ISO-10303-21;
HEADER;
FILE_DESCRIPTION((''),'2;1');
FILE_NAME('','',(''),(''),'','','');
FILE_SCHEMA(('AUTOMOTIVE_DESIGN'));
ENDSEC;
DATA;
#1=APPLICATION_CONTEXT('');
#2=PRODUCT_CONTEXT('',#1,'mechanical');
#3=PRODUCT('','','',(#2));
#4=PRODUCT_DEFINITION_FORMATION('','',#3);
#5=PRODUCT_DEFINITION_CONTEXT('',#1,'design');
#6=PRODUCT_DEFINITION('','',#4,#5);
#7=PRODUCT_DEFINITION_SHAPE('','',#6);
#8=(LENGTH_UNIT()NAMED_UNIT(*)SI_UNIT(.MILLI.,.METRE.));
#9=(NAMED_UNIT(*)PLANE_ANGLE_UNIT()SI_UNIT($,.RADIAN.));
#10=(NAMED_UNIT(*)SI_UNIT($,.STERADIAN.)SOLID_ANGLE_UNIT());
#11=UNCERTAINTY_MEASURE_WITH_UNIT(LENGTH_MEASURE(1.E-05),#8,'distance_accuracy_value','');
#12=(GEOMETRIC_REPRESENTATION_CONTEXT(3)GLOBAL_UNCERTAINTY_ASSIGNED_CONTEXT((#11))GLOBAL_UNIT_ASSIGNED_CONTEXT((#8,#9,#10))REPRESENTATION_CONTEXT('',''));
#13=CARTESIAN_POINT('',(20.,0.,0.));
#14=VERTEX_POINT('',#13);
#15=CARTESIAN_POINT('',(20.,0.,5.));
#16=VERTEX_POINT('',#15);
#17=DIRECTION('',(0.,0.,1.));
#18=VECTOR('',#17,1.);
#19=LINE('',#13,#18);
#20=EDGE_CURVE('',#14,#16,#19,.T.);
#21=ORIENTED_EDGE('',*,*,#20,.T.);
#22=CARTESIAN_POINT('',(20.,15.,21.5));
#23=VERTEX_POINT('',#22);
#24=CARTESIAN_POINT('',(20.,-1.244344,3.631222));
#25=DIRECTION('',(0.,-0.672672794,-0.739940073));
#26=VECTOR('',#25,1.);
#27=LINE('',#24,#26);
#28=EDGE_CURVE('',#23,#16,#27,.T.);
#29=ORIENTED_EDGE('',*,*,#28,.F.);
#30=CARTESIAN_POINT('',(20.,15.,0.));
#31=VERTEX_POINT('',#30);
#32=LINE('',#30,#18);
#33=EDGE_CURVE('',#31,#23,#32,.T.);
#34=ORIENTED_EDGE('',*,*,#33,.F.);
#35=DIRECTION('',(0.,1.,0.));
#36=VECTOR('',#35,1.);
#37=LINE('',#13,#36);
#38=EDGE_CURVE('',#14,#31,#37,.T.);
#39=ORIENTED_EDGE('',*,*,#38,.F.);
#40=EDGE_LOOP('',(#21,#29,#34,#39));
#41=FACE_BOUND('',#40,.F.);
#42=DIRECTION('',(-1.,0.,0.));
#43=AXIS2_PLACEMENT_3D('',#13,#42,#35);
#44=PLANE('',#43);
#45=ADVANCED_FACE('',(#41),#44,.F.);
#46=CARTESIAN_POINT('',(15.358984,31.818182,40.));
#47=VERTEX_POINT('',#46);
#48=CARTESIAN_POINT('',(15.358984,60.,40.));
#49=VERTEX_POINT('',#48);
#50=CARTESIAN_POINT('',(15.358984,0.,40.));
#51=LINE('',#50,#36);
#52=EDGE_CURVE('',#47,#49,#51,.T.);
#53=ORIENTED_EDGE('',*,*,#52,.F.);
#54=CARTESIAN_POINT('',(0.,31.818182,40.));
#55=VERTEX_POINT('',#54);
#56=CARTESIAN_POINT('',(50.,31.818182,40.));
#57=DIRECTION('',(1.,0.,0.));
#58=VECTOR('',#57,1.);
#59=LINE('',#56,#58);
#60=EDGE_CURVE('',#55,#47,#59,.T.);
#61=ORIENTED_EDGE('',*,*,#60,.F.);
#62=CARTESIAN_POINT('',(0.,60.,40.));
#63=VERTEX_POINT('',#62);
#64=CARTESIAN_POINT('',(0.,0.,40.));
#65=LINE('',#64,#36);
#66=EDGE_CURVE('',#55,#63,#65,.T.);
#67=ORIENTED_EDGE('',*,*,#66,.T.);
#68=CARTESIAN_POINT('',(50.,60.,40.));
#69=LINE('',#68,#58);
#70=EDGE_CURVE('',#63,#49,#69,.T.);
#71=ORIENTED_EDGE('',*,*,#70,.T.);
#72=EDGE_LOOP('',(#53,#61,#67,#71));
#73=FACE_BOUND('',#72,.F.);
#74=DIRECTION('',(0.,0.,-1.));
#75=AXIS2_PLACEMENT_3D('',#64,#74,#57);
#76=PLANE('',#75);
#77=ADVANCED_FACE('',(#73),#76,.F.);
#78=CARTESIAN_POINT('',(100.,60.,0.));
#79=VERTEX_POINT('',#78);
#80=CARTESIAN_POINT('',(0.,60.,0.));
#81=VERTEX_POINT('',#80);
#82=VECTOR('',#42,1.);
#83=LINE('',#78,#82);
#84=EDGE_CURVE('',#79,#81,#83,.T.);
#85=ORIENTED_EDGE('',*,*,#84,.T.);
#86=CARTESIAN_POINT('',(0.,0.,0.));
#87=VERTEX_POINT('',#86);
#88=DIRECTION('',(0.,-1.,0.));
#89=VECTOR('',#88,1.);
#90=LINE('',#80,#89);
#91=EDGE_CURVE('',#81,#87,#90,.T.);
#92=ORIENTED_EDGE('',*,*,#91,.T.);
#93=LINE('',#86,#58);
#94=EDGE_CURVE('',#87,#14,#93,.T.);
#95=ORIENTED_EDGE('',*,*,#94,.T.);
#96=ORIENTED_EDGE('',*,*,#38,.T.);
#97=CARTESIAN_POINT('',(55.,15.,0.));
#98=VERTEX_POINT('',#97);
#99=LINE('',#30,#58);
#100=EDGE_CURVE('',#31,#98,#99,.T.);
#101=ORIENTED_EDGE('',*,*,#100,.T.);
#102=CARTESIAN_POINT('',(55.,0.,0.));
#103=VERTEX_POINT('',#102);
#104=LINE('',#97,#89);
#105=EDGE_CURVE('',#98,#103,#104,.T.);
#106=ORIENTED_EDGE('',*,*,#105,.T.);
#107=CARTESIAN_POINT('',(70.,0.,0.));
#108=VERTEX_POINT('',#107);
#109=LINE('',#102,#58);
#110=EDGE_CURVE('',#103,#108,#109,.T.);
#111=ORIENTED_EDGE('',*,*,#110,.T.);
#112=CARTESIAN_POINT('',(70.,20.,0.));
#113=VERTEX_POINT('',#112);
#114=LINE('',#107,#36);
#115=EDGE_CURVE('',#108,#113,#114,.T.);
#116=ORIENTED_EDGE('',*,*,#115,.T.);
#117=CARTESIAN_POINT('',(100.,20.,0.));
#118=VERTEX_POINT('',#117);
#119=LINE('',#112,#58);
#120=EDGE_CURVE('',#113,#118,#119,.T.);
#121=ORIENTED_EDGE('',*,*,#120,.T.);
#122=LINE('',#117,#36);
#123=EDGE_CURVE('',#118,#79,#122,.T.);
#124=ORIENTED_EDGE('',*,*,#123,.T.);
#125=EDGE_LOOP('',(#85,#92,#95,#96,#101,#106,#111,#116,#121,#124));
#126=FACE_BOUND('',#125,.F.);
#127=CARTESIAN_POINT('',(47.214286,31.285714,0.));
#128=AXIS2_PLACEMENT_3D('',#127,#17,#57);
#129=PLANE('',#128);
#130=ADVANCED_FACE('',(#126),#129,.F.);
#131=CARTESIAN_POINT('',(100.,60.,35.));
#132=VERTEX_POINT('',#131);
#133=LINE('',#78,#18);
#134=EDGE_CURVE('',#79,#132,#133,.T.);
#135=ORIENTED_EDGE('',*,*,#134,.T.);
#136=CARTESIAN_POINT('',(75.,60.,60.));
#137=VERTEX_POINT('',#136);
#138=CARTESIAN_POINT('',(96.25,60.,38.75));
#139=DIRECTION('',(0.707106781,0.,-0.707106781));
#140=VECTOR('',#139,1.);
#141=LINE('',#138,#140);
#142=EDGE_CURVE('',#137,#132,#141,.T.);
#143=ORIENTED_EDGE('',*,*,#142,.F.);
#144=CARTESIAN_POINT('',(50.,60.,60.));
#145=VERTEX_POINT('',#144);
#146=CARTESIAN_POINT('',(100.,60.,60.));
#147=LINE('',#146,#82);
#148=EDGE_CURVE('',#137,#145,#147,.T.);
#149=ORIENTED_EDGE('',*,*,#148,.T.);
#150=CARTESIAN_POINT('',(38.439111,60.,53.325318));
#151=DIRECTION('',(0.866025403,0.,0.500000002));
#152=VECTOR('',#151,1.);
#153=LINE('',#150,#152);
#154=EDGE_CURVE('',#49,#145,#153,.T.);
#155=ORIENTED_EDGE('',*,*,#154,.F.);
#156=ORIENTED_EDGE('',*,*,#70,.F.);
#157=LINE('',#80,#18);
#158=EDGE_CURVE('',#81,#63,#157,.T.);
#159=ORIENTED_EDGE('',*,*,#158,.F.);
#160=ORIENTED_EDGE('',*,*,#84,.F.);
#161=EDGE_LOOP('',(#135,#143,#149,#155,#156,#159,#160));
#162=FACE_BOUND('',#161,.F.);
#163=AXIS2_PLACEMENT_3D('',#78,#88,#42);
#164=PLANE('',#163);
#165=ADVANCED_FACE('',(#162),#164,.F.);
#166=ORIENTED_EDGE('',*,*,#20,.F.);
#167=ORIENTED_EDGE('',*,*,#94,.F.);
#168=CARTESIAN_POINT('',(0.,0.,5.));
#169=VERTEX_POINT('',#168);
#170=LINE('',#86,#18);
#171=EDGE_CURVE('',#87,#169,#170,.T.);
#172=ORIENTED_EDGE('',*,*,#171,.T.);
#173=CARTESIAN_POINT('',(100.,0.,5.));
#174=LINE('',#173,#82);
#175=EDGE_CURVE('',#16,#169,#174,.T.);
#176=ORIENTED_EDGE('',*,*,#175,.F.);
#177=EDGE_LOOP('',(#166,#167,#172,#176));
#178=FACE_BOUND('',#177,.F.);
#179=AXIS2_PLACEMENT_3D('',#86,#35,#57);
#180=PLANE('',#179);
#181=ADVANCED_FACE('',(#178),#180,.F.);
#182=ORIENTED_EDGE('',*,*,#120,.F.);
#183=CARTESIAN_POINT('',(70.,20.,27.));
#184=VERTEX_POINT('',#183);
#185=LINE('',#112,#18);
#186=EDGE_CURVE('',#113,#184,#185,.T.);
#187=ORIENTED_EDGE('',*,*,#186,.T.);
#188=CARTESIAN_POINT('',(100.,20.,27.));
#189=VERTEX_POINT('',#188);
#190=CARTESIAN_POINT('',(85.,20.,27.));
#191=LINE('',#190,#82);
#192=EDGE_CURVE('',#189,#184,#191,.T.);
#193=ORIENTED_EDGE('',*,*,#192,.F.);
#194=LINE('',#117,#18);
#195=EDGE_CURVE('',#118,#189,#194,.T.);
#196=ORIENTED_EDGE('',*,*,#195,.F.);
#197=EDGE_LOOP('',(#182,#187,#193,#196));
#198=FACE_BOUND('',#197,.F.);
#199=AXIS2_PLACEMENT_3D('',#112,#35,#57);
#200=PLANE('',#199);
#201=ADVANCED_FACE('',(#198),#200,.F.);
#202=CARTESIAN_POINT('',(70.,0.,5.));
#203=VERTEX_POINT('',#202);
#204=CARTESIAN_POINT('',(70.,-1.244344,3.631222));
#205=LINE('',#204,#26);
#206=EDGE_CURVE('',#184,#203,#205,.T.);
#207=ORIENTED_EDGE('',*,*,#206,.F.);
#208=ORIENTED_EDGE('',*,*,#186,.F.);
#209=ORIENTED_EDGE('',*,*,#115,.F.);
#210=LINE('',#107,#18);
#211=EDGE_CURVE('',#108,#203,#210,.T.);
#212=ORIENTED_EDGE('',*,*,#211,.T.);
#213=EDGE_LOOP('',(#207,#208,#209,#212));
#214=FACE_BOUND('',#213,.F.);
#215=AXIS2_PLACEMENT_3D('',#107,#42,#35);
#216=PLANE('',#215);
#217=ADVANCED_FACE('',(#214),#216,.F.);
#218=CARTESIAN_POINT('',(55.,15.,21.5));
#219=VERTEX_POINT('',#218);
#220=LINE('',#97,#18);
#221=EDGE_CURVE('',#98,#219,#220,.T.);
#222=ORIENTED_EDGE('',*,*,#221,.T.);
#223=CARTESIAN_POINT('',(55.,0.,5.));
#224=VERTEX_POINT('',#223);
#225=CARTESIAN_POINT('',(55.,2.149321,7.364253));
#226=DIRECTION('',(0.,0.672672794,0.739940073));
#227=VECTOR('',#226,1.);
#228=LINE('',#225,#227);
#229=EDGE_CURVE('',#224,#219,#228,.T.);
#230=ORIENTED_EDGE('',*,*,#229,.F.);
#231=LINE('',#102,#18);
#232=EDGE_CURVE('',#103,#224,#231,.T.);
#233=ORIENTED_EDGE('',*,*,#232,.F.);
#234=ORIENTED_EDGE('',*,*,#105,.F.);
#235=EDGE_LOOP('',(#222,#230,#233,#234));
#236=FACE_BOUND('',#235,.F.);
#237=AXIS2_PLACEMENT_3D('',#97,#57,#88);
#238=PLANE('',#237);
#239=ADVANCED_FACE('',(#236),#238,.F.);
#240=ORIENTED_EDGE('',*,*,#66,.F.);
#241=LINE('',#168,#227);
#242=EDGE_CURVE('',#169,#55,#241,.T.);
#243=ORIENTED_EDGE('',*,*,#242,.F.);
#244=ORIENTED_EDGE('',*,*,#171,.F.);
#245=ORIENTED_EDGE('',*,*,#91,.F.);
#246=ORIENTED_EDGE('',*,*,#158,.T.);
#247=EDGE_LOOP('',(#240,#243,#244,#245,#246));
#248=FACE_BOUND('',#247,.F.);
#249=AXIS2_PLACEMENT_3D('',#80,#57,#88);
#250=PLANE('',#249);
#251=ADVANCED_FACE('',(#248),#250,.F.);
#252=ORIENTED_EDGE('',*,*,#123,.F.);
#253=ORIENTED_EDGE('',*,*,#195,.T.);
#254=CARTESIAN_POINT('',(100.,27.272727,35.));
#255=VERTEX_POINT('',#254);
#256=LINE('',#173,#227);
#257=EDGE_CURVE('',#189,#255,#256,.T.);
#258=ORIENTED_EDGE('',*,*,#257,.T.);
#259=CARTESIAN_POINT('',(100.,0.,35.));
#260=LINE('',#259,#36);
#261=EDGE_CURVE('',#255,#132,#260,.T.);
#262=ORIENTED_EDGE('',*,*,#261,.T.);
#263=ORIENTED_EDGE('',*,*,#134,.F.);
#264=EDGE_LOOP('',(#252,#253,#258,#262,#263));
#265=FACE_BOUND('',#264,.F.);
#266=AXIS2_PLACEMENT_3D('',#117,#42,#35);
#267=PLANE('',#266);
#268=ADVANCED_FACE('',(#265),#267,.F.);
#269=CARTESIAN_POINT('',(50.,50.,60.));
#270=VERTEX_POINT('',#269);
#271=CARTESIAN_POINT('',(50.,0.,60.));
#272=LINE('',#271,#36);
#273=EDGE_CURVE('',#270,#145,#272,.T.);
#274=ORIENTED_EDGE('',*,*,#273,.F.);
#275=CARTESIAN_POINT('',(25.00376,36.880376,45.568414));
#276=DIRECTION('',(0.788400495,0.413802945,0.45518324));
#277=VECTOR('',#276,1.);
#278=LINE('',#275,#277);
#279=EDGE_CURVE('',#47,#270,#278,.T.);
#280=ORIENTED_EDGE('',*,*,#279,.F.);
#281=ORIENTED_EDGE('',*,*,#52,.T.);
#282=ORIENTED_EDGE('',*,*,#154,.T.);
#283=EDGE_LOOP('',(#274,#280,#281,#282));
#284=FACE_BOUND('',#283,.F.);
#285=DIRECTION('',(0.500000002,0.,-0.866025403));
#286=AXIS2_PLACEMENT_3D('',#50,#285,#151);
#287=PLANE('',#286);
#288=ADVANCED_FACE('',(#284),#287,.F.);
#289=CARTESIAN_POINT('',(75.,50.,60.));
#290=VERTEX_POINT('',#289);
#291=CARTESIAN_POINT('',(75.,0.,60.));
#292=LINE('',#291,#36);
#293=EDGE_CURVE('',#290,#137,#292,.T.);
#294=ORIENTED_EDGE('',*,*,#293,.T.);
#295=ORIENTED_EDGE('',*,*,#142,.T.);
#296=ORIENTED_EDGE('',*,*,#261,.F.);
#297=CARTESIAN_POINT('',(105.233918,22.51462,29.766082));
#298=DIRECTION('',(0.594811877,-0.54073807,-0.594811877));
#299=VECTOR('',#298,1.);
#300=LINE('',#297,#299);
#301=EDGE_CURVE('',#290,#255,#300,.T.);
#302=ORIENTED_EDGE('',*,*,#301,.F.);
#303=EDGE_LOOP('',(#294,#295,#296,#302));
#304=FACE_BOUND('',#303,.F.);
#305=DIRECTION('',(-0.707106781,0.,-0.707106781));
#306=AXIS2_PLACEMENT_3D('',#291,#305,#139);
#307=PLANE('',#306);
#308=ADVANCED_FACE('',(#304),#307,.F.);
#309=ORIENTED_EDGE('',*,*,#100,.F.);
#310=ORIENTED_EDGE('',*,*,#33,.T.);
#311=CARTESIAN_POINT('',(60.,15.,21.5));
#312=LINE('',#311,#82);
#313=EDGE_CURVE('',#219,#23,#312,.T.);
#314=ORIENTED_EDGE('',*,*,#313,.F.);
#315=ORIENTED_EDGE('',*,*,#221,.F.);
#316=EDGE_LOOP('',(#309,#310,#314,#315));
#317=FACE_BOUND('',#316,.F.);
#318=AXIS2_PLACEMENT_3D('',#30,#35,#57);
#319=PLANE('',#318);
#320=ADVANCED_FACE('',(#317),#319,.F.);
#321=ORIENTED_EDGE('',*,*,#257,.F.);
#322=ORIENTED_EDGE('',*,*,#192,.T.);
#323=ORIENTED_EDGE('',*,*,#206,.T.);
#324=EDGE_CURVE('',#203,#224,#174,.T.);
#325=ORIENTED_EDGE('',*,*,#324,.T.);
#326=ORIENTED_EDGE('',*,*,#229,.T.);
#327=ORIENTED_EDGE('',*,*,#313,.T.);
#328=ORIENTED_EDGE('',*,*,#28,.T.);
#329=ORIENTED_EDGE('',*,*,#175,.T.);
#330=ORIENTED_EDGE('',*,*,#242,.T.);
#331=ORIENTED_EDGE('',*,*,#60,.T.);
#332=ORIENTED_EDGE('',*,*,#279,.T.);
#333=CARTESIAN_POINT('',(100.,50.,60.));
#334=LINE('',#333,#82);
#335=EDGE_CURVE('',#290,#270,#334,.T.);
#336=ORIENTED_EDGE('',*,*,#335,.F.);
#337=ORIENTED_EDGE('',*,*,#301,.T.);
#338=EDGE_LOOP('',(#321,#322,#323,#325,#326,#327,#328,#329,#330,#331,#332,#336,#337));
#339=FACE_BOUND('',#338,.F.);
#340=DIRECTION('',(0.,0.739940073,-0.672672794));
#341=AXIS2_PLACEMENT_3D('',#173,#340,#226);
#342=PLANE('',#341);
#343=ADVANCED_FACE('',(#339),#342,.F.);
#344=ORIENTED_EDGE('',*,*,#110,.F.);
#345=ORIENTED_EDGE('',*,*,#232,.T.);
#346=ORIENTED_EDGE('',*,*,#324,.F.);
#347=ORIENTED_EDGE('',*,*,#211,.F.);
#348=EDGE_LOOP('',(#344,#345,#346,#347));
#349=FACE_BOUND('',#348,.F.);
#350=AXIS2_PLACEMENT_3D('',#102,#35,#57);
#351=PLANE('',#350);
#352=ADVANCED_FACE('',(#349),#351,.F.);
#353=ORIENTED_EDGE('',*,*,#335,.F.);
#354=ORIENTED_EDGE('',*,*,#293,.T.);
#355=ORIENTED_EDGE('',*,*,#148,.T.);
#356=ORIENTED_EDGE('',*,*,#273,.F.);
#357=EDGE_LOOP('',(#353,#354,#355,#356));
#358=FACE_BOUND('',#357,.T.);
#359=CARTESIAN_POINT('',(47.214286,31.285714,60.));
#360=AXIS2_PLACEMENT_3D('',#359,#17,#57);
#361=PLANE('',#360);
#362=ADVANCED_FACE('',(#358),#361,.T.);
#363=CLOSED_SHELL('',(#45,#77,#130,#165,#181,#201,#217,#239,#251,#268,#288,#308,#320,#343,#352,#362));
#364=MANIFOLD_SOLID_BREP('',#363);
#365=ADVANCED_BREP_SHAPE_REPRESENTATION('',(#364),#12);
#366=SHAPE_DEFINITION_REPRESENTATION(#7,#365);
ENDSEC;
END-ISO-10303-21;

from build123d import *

# Parameters (mm, degrees)
F1_DEPTH = 60
F3_DEPTH = 60.001
F5_DEPTH = 100.001
F6_DEPTH = 100.001


with BuildPart() as f1:
    # F0 (on Top) → F1 (new body)
    with BuildSketch(Plane.XY):
        Polygon((0, 60), (0, 0), (20, 0), (20, 15), (55, 15), (55, 0), (70, 0), (70, 20), (100, 20), (100, 60), align=None)
    extrude(amount=F1_DEPTH)

    # F2 (on Front) → F3 (cut, through all)
    with BuildSketch(Plane.XZ):
        Polygon((15.358984, 40), (50, 60), (0, 60), (0, 40), align=None)
        Polygon((100, 60), (75, 60), (100, 35), align=None)
    extrude(amount=-F3_DEPTH, mode=Mode.SUBTRACT)

    # F4 (on face) → F5 (cut, through all)
    with BuildSketch(Plane.YZ.offset(100)):
        Polygon((0, 5), (50, 60), (0, 60), align=None)
    extrude(amount=-F5_DEPTH, mode=Mode.SUBTRACT)

    # F4 (on face) → F6 (cut, through all)
    with BuildSketch(Plane.YZ.offset(100)):
        Polygon((27.272727, 35), (50, 60), (0, 60), (0, 5), (20, 27), (20, 35), align=None)
    extrude(amount=-F6_DEPTH, mode=Mode.SUBTRACT)


solid = f1.part
